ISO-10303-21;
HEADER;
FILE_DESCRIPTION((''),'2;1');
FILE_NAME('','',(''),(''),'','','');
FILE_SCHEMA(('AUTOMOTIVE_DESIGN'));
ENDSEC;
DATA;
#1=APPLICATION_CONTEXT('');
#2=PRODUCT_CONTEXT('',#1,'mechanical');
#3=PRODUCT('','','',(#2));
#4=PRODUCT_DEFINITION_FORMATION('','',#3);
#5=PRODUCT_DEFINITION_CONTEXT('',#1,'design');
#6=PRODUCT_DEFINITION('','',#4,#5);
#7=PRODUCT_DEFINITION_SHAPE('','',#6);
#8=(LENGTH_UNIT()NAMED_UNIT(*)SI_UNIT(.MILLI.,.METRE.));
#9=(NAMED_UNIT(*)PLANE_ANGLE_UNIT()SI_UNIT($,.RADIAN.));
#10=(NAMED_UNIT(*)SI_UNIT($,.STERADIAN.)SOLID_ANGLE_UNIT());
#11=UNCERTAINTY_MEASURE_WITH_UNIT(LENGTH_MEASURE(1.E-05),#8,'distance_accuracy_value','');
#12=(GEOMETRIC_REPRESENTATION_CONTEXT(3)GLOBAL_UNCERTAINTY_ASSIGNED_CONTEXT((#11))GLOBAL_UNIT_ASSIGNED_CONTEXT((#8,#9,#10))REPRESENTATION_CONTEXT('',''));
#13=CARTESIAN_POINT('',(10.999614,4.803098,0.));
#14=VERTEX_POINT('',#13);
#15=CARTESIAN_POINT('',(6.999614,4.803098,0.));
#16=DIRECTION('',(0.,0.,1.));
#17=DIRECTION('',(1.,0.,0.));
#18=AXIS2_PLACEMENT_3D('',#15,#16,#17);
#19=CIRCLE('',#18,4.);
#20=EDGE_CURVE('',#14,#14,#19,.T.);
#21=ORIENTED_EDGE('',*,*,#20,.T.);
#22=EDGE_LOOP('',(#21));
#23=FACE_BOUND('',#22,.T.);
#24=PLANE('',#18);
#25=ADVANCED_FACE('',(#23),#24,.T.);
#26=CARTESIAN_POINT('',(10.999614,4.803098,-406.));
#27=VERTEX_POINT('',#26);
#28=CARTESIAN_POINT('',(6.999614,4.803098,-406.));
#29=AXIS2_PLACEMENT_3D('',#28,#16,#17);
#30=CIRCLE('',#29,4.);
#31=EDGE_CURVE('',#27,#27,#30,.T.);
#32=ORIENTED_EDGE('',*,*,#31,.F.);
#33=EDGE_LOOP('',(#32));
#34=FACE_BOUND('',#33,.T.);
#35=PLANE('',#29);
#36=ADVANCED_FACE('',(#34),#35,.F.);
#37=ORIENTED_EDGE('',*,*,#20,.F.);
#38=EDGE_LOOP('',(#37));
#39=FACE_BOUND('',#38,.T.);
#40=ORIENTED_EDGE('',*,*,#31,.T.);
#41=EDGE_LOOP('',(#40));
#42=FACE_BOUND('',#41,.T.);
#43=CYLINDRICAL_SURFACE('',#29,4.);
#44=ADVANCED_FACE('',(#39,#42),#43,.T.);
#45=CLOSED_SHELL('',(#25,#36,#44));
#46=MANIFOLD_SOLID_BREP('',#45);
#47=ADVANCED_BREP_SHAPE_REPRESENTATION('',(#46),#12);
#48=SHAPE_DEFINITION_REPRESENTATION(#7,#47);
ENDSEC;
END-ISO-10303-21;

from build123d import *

# Parameters (mm, degrees)
SKETCH1_R           = 4
BOSS_EXTRUDE1_DEPTH = 406


with BuildPart() as part:
    # Sketch1 → Boss-Extrude1 (new body)
    with BuildSketch(Plane.XY):
        with Locations((6.999613824, 4.803097651)):
            Circle(SKETCH1_R)
    extrude(amount=-BOSS_EXTRUDE1_DEPTH)


solid = part.part
